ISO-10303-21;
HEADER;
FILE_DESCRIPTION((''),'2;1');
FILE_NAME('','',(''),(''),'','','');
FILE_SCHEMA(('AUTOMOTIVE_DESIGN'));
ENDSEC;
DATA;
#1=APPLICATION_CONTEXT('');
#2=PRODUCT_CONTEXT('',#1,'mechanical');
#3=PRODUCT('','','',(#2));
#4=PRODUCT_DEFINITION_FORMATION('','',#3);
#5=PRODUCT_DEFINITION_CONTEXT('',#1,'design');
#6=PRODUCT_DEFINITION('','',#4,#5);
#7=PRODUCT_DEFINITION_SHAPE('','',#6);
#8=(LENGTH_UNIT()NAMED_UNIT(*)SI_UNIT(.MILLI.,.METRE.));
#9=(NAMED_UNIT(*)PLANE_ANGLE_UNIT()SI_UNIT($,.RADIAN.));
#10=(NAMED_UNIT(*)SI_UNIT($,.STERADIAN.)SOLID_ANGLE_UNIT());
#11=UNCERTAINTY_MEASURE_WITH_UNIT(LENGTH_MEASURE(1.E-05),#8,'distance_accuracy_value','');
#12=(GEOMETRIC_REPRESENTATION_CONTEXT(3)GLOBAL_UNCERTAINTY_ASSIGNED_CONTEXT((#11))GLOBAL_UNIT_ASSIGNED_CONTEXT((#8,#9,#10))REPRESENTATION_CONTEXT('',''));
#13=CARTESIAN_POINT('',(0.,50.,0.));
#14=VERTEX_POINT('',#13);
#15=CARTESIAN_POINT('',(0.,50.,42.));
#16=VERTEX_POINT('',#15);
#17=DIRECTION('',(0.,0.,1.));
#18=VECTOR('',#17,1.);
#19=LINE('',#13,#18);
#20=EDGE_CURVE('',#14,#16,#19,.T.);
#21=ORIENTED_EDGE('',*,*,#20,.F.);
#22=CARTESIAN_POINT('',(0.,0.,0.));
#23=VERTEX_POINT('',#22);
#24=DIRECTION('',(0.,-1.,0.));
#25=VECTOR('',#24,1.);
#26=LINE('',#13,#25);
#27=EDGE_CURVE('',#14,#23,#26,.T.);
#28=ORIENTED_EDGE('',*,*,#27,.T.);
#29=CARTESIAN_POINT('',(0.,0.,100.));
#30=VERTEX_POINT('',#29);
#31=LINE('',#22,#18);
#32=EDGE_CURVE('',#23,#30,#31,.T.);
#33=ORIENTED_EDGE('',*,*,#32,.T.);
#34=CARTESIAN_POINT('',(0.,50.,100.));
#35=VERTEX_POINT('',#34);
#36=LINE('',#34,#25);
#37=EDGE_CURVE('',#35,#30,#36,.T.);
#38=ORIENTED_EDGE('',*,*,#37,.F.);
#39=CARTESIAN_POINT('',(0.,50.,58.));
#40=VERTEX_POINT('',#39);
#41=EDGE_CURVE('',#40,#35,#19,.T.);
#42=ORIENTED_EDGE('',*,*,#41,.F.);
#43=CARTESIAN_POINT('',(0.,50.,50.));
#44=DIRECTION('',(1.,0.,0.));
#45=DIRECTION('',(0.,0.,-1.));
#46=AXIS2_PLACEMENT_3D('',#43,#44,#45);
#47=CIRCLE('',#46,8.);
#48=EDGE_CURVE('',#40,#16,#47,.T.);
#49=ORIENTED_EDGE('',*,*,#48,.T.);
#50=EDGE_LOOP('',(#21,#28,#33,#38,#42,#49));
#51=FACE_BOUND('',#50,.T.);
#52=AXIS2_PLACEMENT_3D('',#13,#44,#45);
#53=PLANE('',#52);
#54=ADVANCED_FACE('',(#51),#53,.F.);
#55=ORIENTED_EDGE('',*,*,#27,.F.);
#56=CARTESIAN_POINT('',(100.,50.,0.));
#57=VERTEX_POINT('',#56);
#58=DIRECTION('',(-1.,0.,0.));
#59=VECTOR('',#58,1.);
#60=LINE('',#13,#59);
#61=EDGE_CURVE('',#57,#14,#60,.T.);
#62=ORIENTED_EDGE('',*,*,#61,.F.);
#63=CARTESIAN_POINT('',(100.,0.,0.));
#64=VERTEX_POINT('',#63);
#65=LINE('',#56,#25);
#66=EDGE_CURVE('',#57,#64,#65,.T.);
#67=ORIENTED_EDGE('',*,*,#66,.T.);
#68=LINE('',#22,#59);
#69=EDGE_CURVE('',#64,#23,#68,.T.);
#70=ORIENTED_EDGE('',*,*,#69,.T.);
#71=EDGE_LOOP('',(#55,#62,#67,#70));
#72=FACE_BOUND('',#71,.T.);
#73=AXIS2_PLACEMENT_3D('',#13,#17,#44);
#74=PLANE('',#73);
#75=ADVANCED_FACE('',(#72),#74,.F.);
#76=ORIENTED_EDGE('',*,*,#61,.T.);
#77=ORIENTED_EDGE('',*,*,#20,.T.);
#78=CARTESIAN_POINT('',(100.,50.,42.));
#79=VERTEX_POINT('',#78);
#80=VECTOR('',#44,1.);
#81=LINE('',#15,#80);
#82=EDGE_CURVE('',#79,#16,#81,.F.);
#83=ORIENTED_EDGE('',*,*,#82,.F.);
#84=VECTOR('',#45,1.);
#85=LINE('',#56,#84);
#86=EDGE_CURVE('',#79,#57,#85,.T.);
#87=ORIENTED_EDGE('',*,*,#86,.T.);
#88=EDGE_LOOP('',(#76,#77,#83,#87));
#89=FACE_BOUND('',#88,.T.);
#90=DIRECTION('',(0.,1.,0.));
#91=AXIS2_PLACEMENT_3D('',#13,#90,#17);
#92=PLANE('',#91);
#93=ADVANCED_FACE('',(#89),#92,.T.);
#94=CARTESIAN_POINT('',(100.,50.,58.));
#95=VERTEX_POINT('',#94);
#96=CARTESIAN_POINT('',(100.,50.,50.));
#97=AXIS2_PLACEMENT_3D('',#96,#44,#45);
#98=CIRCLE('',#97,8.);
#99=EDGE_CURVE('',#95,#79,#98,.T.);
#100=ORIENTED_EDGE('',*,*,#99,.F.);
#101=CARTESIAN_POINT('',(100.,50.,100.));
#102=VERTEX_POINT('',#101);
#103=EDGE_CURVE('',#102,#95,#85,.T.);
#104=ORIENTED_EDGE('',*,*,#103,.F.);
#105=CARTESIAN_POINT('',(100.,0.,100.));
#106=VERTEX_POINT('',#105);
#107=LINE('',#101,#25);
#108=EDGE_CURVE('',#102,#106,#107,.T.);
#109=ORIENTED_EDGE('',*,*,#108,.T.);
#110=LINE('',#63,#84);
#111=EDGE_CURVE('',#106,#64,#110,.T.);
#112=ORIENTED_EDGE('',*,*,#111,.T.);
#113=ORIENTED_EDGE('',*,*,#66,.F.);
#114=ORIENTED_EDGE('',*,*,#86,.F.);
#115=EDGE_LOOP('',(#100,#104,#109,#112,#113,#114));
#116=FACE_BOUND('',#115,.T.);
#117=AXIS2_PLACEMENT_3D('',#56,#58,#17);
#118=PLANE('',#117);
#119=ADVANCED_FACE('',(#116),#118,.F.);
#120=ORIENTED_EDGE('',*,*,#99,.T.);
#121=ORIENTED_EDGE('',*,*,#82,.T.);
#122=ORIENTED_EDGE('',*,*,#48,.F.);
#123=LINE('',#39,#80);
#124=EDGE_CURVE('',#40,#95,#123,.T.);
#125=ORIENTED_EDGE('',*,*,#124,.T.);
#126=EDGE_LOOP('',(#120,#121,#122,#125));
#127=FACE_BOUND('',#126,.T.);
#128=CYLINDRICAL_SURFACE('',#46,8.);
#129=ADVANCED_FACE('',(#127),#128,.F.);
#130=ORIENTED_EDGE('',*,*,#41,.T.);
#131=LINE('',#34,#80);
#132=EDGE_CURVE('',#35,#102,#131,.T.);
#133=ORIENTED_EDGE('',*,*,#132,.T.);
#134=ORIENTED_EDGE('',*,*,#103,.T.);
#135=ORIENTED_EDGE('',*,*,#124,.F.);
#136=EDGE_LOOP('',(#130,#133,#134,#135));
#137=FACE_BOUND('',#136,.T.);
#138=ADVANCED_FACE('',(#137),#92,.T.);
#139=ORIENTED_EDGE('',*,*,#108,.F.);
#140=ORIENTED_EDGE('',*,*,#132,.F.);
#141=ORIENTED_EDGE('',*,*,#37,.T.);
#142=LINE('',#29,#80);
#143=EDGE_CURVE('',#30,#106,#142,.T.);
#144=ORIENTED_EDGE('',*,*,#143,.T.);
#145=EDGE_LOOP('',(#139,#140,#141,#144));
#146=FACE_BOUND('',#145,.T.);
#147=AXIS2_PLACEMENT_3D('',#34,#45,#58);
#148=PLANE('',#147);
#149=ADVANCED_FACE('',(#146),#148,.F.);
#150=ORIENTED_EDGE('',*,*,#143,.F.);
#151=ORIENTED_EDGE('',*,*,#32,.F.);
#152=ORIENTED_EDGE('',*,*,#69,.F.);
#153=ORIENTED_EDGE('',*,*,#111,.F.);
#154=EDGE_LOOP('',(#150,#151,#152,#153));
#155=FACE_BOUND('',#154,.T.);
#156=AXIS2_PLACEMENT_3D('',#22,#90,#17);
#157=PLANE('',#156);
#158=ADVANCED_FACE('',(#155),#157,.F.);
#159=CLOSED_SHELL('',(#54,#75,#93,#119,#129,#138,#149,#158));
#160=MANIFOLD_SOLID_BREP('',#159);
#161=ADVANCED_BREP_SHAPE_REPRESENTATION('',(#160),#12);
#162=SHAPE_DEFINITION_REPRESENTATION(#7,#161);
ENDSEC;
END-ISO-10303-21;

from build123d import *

# Parameters (mm, degrees)
SKETCH1_W           = 100
SKETCH1_H           = 100
BOSS_EXTRUDE1_DEPTH = 50
SKETCH2_R           = 8
CUT_EXTRUDE1_DEPTH  = 151


with BuildPart() as part:
    # Sketch1 → Boss-Extrude1 (new body)
    with BuildSketch(Plane(origin=(0, 0, 0), x_dir=(1, 0, 0), z_dir=(0, 1, 0))):
        with Locations((50, -50)):
            Rectangle(SKETCH1_W, SKETCH1_H)
    extrude(amount=BOSS_EXTRUDE1_DEPTH)

    # Sketch2 → Cut-Extrude1 (cut, through all)
    with BuildSketch(Plane(origin=(100, 0, 0), x_dir=(0, 0, -1), z_dir=(1, 0, 0))):
        with Locations((-50, 50)):
            Circle(SKETCH2_R)
    extrude(amount=-CUT_EXTRUDE1_DEPTH, mode=Mode.SUBTRACT)


solid = part.part
